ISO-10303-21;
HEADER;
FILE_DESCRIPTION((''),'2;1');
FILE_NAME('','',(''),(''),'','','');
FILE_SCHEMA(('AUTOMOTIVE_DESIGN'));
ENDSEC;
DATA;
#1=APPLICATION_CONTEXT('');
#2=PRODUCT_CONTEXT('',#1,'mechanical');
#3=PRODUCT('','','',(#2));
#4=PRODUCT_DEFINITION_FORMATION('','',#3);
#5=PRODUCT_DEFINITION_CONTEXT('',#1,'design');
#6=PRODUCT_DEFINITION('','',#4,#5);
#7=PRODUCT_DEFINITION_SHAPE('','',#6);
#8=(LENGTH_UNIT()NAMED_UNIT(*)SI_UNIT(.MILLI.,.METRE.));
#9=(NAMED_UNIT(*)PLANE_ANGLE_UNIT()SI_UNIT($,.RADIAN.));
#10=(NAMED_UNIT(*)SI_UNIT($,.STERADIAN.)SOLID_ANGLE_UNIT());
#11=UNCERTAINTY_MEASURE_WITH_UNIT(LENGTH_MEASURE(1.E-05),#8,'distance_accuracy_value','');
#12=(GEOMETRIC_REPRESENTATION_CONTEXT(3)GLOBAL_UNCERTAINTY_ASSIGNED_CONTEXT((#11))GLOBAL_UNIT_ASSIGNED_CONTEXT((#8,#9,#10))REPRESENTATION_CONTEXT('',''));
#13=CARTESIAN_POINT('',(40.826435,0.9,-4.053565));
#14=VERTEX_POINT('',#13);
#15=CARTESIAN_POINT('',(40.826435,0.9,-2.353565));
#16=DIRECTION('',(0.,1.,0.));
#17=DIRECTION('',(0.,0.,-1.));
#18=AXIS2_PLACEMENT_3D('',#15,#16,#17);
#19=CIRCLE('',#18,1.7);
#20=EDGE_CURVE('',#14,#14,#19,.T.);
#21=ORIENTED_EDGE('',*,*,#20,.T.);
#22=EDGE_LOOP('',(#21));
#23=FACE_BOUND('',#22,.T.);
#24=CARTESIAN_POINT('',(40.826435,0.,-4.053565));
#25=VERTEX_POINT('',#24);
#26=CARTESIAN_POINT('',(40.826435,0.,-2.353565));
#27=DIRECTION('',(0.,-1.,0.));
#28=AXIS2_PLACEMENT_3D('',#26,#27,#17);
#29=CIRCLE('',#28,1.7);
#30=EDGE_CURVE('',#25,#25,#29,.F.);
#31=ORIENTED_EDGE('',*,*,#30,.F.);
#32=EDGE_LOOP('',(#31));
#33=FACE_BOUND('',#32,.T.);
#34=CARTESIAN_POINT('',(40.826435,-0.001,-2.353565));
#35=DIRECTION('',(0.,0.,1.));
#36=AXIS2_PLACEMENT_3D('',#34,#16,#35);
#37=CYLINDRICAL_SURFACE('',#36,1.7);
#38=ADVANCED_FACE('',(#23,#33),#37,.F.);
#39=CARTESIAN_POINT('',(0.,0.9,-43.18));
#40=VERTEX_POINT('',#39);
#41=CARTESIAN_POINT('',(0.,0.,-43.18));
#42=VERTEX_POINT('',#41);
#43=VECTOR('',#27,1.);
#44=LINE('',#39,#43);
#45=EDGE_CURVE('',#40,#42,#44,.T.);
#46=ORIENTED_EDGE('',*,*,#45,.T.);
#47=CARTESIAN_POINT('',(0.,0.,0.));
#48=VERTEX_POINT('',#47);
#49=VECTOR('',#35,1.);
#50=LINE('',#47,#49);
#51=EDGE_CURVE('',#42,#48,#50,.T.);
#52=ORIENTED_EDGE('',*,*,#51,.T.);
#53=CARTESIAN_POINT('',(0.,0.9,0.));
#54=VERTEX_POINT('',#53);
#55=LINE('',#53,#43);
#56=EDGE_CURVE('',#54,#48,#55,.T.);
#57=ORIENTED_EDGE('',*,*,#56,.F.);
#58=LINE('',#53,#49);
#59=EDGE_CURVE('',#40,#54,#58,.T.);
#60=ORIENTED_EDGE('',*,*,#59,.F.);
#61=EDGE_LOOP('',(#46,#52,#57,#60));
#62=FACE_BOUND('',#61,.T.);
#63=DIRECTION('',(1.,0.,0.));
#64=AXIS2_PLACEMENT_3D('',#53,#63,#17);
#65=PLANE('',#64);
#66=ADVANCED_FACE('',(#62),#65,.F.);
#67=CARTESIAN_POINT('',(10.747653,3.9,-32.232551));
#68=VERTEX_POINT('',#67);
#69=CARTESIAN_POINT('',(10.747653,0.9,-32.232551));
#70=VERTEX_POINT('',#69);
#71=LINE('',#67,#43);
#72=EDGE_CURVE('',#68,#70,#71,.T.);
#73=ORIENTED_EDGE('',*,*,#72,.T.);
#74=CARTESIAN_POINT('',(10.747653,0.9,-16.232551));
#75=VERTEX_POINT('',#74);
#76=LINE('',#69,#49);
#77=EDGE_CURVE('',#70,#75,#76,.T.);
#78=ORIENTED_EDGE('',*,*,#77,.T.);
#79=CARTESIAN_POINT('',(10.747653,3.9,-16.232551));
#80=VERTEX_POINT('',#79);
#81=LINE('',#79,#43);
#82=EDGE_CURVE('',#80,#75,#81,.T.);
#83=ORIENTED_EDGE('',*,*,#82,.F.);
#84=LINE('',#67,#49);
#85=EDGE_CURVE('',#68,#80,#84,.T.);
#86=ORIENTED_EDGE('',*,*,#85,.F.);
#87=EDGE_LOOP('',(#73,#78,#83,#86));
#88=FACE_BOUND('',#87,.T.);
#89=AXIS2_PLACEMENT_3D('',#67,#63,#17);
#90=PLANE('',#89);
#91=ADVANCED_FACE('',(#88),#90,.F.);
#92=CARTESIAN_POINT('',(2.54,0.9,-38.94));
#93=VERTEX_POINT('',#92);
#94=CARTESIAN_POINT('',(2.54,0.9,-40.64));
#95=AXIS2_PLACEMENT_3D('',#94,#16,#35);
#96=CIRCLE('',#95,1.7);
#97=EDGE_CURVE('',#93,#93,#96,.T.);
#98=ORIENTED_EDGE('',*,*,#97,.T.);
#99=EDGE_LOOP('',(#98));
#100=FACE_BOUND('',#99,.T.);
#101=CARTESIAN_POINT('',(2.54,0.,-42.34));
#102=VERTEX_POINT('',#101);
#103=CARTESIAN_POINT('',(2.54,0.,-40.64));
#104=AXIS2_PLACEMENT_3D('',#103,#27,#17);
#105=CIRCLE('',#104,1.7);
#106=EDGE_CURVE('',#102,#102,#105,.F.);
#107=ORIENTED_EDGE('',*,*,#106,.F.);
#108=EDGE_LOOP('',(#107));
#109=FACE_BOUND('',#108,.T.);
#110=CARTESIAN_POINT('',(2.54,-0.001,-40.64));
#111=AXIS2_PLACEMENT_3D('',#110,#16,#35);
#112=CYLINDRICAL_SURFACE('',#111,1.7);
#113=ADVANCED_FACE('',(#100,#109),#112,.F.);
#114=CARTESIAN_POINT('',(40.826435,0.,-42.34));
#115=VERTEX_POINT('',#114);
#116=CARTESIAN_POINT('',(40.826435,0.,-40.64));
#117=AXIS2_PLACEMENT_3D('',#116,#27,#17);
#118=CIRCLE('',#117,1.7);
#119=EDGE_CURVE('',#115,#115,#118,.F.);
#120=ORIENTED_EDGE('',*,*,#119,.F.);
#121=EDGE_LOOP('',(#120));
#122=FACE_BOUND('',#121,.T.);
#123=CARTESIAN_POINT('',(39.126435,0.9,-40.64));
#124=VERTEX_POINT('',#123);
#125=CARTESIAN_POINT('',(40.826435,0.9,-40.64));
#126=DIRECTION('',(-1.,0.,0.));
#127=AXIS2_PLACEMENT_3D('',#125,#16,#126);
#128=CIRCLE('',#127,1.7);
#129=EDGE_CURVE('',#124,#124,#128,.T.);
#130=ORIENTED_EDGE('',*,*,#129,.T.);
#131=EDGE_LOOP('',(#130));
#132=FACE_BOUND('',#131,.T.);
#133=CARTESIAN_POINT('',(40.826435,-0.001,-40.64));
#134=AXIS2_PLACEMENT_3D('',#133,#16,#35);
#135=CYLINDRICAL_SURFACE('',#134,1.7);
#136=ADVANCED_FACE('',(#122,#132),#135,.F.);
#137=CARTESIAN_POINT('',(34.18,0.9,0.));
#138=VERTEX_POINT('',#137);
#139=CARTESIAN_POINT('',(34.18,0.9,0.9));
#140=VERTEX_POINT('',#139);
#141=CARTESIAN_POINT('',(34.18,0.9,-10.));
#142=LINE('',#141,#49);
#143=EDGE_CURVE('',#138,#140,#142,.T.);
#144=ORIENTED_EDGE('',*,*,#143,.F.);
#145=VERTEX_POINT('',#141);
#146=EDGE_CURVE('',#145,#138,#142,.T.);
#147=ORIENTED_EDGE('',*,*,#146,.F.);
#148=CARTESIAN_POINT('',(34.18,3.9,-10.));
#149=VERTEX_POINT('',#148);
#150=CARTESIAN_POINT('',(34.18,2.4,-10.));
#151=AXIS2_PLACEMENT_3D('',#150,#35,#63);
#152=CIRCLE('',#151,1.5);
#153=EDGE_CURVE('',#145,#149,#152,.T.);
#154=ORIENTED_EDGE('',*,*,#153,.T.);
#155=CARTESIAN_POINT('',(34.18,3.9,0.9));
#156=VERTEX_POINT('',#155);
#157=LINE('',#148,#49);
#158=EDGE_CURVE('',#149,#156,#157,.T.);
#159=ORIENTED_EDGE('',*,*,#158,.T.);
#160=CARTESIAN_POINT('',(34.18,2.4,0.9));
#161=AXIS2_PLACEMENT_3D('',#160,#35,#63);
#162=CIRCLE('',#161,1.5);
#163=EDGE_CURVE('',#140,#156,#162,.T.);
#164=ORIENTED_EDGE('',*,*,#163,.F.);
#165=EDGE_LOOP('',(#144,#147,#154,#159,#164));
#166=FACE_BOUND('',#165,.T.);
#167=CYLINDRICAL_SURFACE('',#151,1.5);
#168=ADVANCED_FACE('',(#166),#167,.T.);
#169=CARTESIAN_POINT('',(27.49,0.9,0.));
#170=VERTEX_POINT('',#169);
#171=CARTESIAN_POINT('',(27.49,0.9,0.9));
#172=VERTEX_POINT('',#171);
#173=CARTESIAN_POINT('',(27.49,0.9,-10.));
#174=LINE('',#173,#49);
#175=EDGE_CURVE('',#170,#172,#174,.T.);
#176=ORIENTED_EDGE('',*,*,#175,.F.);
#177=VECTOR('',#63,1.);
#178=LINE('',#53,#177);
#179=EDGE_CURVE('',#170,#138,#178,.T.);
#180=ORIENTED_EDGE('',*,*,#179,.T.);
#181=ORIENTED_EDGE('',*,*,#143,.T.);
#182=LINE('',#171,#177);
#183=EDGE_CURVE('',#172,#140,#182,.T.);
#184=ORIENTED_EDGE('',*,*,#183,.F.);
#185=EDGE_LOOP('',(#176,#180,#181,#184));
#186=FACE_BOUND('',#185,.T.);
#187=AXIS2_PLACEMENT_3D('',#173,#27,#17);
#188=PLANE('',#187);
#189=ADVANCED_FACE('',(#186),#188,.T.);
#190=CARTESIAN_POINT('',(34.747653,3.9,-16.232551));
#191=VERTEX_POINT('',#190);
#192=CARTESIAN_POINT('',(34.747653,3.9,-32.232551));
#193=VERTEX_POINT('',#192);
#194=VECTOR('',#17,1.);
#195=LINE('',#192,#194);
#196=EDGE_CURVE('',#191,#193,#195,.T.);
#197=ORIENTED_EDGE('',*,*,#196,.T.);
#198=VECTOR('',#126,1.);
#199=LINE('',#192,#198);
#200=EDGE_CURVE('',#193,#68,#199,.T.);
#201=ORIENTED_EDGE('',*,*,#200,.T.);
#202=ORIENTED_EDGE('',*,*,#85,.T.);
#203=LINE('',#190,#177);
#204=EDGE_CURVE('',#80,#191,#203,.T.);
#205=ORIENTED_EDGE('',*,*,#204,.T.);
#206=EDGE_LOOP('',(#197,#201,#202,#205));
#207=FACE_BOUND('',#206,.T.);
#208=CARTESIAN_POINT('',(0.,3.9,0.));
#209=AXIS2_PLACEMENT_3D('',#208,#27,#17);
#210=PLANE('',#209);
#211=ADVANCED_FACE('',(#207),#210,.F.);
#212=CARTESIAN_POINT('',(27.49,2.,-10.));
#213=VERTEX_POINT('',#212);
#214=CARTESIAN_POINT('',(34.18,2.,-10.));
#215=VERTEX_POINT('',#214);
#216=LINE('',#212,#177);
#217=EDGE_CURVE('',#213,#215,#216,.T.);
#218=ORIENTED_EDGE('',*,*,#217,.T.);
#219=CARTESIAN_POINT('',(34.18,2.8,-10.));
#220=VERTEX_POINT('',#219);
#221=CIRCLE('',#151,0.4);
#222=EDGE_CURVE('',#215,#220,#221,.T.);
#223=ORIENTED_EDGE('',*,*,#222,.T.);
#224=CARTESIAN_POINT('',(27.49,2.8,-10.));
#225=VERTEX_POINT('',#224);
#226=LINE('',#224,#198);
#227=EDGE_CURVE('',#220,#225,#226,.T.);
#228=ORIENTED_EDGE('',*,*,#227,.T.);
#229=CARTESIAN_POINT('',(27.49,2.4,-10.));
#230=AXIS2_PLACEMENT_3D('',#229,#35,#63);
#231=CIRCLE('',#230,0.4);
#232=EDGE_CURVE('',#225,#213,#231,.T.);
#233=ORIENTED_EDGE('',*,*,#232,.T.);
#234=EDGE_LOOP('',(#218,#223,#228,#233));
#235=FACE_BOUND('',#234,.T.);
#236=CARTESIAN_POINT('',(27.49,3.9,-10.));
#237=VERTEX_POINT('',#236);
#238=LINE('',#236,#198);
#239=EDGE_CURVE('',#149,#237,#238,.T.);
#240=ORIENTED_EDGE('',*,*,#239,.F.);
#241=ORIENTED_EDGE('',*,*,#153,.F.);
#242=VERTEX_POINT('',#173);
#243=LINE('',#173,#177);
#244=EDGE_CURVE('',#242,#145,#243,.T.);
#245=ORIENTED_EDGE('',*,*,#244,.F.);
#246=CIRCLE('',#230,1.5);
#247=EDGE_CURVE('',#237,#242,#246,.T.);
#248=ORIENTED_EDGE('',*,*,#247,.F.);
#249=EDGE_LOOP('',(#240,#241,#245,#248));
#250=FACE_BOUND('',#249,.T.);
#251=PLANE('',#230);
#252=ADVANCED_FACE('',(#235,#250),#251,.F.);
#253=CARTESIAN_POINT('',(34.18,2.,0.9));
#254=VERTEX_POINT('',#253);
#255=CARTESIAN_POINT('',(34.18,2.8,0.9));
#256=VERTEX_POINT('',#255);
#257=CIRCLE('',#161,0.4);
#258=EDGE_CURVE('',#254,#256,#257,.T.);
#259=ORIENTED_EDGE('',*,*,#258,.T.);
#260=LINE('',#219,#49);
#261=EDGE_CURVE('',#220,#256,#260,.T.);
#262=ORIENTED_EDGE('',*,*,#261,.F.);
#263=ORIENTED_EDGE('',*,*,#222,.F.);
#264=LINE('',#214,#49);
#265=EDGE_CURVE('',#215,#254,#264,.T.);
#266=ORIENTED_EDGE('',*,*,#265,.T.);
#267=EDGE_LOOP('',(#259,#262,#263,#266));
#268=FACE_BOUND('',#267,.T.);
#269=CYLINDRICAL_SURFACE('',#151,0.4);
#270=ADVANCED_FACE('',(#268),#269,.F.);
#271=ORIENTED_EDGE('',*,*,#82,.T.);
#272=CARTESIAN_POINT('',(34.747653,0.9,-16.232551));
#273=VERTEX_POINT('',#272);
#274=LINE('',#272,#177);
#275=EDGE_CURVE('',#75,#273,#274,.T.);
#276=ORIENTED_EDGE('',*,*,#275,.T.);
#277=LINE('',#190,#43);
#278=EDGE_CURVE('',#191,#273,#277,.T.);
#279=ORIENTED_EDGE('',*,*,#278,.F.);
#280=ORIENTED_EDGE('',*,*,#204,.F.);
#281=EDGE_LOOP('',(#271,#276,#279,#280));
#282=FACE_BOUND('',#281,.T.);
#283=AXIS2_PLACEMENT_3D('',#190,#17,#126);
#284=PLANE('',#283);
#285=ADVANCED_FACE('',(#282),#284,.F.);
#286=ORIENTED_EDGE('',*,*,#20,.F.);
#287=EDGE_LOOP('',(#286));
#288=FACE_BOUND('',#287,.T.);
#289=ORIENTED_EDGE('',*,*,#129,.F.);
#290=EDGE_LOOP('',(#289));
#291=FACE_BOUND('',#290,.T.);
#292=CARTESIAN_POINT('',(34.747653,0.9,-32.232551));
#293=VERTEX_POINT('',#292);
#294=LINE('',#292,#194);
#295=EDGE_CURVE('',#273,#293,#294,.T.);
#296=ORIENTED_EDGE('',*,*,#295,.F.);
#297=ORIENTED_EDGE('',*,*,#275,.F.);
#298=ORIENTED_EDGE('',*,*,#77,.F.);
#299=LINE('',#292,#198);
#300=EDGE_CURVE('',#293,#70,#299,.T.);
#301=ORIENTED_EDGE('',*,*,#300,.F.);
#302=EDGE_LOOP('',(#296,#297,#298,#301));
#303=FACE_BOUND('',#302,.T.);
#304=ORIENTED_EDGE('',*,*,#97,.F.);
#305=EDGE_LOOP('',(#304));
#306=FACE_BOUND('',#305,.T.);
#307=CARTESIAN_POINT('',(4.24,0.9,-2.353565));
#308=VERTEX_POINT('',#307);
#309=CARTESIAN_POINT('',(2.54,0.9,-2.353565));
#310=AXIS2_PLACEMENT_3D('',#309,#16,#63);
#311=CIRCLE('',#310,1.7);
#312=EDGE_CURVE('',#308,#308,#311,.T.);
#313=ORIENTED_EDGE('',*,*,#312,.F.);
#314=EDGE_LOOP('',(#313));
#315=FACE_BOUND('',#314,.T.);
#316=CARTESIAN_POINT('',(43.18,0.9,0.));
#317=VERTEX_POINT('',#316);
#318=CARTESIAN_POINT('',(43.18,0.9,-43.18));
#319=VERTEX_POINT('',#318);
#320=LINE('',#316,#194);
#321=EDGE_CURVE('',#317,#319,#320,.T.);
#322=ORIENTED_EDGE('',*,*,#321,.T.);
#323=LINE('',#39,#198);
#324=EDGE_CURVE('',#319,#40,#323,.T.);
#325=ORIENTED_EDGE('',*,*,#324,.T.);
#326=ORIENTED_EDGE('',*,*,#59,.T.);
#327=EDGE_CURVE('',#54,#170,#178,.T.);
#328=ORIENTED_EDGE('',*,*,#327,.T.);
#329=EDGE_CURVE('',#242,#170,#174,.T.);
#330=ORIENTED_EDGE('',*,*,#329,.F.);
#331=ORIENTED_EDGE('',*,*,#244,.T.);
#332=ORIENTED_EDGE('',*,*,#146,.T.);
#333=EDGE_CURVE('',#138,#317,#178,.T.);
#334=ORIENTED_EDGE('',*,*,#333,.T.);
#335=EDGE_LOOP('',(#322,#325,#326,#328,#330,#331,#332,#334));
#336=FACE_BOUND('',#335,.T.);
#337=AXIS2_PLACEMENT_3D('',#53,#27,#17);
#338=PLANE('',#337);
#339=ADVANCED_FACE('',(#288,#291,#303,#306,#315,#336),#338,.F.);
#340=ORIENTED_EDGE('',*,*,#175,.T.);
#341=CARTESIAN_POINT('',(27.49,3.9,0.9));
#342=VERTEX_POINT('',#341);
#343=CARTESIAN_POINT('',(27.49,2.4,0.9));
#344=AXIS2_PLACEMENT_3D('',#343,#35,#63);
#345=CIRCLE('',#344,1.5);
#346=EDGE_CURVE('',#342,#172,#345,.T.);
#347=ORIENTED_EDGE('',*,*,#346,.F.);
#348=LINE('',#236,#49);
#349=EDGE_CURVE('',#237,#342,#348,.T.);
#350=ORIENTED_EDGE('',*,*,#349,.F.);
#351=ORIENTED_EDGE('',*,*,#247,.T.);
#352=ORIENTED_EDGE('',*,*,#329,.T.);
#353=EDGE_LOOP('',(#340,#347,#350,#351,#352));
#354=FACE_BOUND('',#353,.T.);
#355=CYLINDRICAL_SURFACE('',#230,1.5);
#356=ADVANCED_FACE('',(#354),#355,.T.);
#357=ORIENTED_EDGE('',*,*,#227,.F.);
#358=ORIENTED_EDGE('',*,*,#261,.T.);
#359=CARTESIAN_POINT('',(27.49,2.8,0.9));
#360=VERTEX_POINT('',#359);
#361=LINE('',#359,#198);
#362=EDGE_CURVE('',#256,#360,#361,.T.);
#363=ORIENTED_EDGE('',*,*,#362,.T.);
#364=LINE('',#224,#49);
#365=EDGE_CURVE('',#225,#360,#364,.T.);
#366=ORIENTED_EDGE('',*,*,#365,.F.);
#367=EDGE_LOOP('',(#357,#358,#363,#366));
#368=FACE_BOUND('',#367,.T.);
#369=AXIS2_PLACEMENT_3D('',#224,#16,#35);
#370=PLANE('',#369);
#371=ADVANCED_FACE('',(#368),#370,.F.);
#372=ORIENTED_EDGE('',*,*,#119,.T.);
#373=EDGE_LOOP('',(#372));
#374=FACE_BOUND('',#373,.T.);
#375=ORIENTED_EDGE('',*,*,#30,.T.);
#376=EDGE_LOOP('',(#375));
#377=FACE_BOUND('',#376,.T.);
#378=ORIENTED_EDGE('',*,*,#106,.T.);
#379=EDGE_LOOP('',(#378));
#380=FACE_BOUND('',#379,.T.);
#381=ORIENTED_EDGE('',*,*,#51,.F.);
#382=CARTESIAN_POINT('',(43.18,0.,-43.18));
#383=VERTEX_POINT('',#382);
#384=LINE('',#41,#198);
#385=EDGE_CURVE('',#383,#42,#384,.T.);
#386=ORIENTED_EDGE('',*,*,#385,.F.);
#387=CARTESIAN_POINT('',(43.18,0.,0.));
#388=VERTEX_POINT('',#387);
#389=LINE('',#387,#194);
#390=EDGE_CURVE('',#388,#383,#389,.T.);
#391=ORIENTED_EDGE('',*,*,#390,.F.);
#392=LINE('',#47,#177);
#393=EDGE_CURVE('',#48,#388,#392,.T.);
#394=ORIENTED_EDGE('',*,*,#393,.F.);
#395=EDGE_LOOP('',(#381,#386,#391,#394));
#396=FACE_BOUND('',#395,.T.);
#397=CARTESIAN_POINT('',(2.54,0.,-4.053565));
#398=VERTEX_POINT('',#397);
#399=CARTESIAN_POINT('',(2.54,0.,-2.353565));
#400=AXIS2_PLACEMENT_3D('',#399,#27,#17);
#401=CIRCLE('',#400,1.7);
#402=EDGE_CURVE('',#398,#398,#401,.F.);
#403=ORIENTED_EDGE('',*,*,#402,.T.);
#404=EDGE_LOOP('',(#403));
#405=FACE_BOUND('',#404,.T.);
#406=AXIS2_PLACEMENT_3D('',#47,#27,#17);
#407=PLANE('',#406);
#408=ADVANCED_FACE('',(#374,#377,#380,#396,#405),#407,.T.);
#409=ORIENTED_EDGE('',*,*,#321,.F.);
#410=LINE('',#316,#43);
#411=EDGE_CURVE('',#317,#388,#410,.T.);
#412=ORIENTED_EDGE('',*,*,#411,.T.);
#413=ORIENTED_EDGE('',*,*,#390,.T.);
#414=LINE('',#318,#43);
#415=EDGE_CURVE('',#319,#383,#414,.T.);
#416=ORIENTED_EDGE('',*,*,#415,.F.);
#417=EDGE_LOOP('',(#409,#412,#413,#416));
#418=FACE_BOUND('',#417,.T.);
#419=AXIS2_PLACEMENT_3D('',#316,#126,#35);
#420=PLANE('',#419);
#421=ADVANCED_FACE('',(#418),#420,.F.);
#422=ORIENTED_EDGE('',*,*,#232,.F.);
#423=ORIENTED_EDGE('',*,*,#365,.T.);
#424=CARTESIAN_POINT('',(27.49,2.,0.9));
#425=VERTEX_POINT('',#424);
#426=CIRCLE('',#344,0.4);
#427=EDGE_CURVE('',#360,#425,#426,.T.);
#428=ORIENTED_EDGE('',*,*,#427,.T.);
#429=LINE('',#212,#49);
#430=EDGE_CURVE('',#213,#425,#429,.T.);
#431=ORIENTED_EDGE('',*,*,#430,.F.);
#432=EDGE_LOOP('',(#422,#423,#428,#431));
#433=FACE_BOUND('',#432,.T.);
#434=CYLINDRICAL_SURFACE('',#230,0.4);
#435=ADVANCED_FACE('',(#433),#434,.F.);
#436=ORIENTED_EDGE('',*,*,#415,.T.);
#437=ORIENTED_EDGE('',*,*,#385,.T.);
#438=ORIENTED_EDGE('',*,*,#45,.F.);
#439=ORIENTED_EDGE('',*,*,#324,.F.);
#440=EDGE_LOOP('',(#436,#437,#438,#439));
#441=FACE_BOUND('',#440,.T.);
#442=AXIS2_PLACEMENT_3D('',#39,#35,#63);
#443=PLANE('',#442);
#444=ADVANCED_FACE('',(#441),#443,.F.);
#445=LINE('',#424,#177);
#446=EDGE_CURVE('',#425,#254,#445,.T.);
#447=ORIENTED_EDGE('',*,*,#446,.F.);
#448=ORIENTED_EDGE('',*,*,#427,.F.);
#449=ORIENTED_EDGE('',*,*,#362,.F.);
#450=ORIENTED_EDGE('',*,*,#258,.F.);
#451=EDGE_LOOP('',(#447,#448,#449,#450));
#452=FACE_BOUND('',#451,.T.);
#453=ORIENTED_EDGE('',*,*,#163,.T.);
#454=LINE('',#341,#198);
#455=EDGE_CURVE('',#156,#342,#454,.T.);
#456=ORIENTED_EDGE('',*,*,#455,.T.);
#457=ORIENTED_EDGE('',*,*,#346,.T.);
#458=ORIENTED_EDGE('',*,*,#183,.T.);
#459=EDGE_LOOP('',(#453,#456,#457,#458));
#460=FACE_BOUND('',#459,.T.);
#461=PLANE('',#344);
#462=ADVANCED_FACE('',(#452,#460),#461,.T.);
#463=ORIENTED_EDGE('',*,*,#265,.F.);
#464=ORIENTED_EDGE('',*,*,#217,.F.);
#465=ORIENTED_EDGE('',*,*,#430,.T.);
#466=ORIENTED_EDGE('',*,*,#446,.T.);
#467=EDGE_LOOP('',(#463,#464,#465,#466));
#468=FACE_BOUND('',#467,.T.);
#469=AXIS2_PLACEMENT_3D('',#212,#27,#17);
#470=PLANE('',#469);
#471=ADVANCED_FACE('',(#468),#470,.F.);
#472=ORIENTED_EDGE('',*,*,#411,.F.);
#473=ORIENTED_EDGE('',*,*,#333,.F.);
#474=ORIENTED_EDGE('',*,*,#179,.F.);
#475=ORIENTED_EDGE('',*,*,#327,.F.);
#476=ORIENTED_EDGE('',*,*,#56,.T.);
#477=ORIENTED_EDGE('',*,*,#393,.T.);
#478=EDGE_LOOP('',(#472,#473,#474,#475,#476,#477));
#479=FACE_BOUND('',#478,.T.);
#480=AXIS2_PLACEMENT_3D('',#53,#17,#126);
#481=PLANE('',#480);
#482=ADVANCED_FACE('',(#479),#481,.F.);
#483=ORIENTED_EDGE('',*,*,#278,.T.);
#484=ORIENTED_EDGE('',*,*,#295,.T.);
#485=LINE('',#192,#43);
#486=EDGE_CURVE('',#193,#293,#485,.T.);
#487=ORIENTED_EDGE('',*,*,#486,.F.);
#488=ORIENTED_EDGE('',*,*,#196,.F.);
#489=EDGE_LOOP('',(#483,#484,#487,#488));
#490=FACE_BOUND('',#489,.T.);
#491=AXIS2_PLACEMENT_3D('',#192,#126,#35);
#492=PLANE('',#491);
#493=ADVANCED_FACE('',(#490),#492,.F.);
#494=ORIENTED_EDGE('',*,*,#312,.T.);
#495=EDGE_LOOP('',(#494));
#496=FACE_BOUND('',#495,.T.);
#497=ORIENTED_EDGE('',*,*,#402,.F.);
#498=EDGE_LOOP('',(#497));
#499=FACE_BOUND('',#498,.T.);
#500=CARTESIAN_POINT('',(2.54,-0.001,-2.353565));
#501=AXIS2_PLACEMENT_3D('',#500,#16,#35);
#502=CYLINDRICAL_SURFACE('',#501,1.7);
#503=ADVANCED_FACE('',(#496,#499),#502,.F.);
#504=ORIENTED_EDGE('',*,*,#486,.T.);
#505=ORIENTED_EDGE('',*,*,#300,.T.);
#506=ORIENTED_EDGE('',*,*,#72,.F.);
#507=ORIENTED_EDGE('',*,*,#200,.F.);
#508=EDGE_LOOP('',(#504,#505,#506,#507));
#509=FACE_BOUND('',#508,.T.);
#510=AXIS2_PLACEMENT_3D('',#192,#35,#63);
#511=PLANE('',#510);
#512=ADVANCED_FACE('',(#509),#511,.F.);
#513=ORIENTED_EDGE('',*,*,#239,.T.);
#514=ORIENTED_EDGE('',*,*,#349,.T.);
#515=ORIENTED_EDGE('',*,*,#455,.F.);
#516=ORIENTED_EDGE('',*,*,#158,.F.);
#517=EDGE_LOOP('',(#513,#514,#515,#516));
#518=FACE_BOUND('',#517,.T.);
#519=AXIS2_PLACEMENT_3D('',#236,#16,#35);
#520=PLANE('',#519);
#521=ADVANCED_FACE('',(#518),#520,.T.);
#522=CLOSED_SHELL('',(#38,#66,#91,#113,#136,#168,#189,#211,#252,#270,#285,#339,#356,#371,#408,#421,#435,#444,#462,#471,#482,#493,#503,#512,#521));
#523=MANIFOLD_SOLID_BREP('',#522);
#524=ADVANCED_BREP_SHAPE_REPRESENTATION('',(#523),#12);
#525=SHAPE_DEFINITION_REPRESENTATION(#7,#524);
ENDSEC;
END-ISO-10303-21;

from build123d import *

# Parameters (mm, degrees)
SKETCH1_W                = 43.18
SKETCH1_H                = 43.18
BOSS_EXTRUDE1_DEPTH      = 0.9
SKETCH2_R                = 1.7
CUT_EXTRUDE1_DEPTH       = 0.9
CIRPATTERN1_COUNT        = 4
BOSS_EXTRUDE2_DEPTH      = 0.9
BOSS_EXTRUDE2_DEPTH_BACK = 10
SKETCH5_W                = 24
SKETCH5_H                = 16
BOSS_EXTRUDE3_DEPTH      = 3


with BuildPart() as part:
    # Sketch1 → Boss-Extrude1 (new body)
    with BuildSketch(Plane(origin=(0, 0, 0), x_dir=(1, 0, 0), z_dir=(0, 1, 0))):
        with Locations((21.59, 21.59)):
            Rectangle(SKETCH1_W, SKETCH1_H)
    extrude(amount=BOSS_EXTRUDE1_DEPTH)

    # Sketch2 → Cut-Extrude1 (cut)
    with BuildSketch(Plane(origin=(0, 0.9, 0), x_dir=(1, 0, 0), z_dir=(0, 1, 0))):
        with Locations((2.54, 40.64)):
            Circle(SKETCH2_R)
    cut_extrude1 = extrude(amount=-CUT_EXTRUDE1_DEPTH, mode=Mode.SUBTRACT)

    # CirPattern1: Cut-Extrude1 ×4 about axis
    cirpattern1_axis = Axis((21.683217483, 0, -21.496782517), (0, 1, 0))
    for i in range(1, CIRPATTERN1_COUNT):
        add(cut_extrude1.rotate(cirpattern1_axis, i * 360 / CIRPATTERN1_COUNT), mode=Mode.SUBTRACT)

    # Sketch4 → Boss-Extrude2 (add, two sides)
    with BuildSketch(Plane.XY) as boss_extrude2_sk:
        with BuildLine():
            Line((27.49, 3.9), (34.18, 3.9))
            ThreePointArc((34.18, 3.9), (35.68, 2.4), (34.18, 0.9))
            Line((34.18, 0.9), (27.49, 0.9))
            ThreePointArc((27.49, 0.9), (25.99, 2.4), (27.49, 3.9))
        make_face()
        with BuildLine():
            Line((27.49, 2.8), (34.18, 2.8))
            ThreePointArc((34.18, 2.8), (34.58, 2.4), (34.18, 2))
            Line((34.18, 2), (27.49, 2))
            ThreePointArc((27.49, 2), (27.09, 2.4), (27.49, 2.8))
        make_face(mode=Mode.SUBTRACT)
    extrude(amount=BOSS_EXTRUDE2_DEPTH)
    extrude(boss_extrude2_sk.sketch, amount=-BOSS_EXTRUDE2_DEPTH_BACK)

    # Sketch5 → Boss-Extrude3 (add)
    with BuildSketch(Plane(origin=(0, 0.9, 0), x_dir=(1, 0, 0), z_dir=(0, 1, 0))):
        with Locations((22.747653051, 24.232550554)):
            Rectangle(SKETCH5_W, SKETCH5_H)
    extrude(amount=BOSS_EXTRUDE3_DEPTH)


solid = part.part
